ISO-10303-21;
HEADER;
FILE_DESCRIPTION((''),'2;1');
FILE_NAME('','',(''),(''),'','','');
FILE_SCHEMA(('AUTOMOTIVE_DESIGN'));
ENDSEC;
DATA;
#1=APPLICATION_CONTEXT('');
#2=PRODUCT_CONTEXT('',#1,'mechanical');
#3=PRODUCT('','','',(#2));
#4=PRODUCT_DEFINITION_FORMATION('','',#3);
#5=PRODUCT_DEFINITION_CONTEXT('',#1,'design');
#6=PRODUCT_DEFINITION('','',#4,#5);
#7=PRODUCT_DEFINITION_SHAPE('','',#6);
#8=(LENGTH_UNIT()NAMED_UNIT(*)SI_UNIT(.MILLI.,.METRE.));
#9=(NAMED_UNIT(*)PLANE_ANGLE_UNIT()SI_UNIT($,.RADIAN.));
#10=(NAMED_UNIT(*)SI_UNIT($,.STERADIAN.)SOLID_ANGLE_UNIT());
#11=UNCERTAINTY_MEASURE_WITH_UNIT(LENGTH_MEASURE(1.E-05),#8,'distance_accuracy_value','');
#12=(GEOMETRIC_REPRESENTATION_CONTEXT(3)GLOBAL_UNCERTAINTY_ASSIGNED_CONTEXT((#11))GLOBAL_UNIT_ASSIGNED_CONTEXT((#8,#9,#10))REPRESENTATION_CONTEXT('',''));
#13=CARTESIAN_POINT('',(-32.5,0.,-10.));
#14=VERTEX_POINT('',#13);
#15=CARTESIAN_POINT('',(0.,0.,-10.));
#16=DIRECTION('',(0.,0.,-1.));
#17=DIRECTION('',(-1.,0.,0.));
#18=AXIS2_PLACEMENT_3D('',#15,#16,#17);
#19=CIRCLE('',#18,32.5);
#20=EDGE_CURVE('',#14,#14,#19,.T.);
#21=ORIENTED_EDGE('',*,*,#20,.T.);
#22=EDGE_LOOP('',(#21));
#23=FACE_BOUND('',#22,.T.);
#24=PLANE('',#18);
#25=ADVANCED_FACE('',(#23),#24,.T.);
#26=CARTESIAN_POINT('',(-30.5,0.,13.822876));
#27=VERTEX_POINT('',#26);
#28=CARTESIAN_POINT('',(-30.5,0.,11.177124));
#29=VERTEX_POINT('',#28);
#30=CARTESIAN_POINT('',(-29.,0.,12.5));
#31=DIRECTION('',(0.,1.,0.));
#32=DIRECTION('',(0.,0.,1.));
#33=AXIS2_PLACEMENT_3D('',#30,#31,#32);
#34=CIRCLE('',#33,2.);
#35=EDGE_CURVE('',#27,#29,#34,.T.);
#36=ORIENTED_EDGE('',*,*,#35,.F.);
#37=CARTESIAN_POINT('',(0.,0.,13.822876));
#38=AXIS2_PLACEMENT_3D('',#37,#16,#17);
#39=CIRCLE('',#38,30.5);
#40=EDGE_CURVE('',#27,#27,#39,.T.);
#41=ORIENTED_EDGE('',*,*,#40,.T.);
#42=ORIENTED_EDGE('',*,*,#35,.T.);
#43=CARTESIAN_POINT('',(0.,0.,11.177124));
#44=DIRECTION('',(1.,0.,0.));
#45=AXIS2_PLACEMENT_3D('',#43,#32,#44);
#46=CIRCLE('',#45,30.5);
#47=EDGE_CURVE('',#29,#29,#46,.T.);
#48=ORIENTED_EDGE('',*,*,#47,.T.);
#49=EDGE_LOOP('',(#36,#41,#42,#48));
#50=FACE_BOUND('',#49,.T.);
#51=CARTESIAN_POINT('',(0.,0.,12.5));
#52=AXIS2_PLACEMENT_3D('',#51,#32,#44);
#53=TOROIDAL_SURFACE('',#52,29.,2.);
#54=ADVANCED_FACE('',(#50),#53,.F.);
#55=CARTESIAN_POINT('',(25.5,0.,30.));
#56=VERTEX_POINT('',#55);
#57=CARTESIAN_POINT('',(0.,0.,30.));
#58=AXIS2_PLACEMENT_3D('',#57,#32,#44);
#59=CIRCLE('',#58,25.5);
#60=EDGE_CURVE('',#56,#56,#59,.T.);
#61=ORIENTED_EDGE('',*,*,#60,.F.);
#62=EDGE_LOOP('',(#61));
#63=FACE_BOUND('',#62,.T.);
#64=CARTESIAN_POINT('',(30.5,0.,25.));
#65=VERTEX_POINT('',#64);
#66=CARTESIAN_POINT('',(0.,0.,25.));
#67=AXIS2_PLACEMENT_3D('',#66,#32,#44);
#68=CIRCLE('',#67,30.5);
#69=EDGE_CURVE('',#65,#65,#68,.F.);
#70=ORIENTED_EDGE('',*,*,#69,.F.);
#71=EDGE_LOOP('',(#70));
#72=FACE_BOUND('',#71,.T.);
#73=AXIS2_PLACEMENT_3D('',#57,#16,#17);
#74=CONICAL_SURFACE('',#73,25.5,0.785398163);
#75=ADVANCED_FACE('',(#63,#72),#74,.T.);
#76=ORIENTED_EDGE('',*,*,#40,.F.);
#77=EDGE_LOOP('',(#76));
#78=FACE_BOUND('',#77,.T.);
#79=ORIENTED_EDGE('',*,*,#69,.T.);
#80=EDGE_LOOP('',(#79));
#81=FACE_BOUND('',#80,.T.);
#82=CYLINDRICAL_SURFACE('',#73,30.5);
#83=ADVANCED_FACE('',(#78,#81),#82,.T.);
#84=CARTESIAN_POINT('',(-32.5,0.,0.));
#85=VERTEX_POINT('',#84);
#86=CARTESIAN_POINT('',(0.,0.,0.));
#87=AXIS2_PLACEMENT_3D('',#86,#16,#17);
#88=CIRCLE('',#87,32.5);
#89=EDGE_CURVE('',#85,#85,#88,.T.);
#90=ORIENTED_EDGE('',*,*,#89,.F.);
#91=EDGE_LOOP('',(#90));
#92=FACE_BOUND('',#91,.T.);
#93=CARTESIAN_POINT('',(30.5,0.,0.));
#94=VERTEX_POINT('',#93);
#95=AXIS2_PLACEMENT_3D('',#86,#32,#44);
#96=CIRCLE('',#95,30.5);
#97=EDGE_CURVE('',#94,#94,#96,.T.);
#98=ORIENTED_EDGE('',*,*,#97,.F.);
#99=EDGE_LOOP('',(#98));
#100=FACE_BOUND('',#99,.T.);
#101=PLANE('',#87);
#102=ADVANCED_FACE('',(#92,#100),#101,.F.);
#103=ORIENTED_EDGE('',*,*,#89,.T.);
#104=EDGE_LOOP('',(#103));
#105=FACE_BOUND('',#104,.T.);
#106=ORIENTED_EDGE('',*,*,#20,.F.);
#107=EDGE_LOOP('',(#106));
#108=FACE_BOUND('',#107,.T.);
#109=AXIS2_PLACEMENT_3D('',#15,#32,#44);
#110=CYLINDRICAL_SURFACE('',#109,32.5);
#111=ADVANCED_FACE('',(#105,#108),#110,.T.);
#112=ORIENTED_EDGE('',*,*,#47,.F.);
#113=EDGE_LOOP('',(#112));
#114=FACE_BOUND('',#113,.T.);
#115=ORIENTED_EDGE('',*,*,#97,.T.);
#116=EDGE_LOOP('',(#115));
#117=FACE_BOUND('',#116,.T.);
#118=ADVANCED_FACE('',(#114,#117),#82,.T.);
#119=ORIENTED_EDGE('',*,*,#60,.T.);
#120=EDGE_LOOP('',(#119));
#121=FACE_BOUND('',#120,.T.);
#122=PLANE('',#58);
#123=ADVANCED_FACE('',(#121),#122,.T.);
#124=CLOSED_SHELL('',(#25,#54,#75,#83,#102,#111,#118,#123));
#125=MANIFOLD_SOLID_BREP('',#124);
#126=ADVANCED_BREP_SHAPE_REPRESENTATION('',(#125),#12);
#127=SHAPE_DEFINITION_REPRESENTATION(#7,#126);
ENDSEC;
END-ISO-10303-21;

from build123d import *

# Parameters (mm, degrees)
ESQUISSE1_R        = 30.5
BOSS_EXTRU_1_DEPTH = 30
ESQUISSE2_R        = 32.5
BOSS_EXTRU_2_DEPTH = 10
CHANFREIN1_SIZE    = 5
ESQUISSE6_R        = 2


with BuildPart() as part:
    # Esquisse1 → Boss.-Extru.1 (new body)
    with BuildSketch(Plane.XY):
        Circle(ESQUISSE1_R)
    extrude(amount=BOSS_EXTRU_1_DEPTH)

    # Esquisse2 → Boss.-Extru.2 (add)
    with BuildSketch(Plane(origin=(0, 0, 0), x_dir=(-1, 0, 0), z_dir=(0, 0, -1))):
        Circle(ESQUISSE2_R)
    extrude(amount=BOSS_EXTRU_2_DEPTH)

    # Chanfrein1
    chanfrein1_edges = [part.edges().sort_by_distance(p)[0] for p in [
        (-30.5, 0, 30),
    ]]
    chamfer(chanfrein1_edges, length=CHANFREIN1_SIZE)

    # Enlèvement de matière-Balayage1: sweep along a path in Esquisse7
    with BuildLine(Plane.XY.offset(10)) as enl_vement_de_mati_re_balayage1_path:
        CenterArc((0, 0), 26.0040611, 0, 360)
    # Esquisse6 → Enlèvement de matière-Balayage1 (sweep, cut)
    with BuildSketch(Plane(origin=(0, 0, 0), x_dir=(1, 0, 0), z_dir=(0, 1, 0))):
        with Locations((-29, -12.5)):
            Circle(ESQUISSE6_R)
    sweep(path=enl_vement_de_mati_re_balayage1_path.line, mode=Mode.SUBTRACT)


solid = part.part
